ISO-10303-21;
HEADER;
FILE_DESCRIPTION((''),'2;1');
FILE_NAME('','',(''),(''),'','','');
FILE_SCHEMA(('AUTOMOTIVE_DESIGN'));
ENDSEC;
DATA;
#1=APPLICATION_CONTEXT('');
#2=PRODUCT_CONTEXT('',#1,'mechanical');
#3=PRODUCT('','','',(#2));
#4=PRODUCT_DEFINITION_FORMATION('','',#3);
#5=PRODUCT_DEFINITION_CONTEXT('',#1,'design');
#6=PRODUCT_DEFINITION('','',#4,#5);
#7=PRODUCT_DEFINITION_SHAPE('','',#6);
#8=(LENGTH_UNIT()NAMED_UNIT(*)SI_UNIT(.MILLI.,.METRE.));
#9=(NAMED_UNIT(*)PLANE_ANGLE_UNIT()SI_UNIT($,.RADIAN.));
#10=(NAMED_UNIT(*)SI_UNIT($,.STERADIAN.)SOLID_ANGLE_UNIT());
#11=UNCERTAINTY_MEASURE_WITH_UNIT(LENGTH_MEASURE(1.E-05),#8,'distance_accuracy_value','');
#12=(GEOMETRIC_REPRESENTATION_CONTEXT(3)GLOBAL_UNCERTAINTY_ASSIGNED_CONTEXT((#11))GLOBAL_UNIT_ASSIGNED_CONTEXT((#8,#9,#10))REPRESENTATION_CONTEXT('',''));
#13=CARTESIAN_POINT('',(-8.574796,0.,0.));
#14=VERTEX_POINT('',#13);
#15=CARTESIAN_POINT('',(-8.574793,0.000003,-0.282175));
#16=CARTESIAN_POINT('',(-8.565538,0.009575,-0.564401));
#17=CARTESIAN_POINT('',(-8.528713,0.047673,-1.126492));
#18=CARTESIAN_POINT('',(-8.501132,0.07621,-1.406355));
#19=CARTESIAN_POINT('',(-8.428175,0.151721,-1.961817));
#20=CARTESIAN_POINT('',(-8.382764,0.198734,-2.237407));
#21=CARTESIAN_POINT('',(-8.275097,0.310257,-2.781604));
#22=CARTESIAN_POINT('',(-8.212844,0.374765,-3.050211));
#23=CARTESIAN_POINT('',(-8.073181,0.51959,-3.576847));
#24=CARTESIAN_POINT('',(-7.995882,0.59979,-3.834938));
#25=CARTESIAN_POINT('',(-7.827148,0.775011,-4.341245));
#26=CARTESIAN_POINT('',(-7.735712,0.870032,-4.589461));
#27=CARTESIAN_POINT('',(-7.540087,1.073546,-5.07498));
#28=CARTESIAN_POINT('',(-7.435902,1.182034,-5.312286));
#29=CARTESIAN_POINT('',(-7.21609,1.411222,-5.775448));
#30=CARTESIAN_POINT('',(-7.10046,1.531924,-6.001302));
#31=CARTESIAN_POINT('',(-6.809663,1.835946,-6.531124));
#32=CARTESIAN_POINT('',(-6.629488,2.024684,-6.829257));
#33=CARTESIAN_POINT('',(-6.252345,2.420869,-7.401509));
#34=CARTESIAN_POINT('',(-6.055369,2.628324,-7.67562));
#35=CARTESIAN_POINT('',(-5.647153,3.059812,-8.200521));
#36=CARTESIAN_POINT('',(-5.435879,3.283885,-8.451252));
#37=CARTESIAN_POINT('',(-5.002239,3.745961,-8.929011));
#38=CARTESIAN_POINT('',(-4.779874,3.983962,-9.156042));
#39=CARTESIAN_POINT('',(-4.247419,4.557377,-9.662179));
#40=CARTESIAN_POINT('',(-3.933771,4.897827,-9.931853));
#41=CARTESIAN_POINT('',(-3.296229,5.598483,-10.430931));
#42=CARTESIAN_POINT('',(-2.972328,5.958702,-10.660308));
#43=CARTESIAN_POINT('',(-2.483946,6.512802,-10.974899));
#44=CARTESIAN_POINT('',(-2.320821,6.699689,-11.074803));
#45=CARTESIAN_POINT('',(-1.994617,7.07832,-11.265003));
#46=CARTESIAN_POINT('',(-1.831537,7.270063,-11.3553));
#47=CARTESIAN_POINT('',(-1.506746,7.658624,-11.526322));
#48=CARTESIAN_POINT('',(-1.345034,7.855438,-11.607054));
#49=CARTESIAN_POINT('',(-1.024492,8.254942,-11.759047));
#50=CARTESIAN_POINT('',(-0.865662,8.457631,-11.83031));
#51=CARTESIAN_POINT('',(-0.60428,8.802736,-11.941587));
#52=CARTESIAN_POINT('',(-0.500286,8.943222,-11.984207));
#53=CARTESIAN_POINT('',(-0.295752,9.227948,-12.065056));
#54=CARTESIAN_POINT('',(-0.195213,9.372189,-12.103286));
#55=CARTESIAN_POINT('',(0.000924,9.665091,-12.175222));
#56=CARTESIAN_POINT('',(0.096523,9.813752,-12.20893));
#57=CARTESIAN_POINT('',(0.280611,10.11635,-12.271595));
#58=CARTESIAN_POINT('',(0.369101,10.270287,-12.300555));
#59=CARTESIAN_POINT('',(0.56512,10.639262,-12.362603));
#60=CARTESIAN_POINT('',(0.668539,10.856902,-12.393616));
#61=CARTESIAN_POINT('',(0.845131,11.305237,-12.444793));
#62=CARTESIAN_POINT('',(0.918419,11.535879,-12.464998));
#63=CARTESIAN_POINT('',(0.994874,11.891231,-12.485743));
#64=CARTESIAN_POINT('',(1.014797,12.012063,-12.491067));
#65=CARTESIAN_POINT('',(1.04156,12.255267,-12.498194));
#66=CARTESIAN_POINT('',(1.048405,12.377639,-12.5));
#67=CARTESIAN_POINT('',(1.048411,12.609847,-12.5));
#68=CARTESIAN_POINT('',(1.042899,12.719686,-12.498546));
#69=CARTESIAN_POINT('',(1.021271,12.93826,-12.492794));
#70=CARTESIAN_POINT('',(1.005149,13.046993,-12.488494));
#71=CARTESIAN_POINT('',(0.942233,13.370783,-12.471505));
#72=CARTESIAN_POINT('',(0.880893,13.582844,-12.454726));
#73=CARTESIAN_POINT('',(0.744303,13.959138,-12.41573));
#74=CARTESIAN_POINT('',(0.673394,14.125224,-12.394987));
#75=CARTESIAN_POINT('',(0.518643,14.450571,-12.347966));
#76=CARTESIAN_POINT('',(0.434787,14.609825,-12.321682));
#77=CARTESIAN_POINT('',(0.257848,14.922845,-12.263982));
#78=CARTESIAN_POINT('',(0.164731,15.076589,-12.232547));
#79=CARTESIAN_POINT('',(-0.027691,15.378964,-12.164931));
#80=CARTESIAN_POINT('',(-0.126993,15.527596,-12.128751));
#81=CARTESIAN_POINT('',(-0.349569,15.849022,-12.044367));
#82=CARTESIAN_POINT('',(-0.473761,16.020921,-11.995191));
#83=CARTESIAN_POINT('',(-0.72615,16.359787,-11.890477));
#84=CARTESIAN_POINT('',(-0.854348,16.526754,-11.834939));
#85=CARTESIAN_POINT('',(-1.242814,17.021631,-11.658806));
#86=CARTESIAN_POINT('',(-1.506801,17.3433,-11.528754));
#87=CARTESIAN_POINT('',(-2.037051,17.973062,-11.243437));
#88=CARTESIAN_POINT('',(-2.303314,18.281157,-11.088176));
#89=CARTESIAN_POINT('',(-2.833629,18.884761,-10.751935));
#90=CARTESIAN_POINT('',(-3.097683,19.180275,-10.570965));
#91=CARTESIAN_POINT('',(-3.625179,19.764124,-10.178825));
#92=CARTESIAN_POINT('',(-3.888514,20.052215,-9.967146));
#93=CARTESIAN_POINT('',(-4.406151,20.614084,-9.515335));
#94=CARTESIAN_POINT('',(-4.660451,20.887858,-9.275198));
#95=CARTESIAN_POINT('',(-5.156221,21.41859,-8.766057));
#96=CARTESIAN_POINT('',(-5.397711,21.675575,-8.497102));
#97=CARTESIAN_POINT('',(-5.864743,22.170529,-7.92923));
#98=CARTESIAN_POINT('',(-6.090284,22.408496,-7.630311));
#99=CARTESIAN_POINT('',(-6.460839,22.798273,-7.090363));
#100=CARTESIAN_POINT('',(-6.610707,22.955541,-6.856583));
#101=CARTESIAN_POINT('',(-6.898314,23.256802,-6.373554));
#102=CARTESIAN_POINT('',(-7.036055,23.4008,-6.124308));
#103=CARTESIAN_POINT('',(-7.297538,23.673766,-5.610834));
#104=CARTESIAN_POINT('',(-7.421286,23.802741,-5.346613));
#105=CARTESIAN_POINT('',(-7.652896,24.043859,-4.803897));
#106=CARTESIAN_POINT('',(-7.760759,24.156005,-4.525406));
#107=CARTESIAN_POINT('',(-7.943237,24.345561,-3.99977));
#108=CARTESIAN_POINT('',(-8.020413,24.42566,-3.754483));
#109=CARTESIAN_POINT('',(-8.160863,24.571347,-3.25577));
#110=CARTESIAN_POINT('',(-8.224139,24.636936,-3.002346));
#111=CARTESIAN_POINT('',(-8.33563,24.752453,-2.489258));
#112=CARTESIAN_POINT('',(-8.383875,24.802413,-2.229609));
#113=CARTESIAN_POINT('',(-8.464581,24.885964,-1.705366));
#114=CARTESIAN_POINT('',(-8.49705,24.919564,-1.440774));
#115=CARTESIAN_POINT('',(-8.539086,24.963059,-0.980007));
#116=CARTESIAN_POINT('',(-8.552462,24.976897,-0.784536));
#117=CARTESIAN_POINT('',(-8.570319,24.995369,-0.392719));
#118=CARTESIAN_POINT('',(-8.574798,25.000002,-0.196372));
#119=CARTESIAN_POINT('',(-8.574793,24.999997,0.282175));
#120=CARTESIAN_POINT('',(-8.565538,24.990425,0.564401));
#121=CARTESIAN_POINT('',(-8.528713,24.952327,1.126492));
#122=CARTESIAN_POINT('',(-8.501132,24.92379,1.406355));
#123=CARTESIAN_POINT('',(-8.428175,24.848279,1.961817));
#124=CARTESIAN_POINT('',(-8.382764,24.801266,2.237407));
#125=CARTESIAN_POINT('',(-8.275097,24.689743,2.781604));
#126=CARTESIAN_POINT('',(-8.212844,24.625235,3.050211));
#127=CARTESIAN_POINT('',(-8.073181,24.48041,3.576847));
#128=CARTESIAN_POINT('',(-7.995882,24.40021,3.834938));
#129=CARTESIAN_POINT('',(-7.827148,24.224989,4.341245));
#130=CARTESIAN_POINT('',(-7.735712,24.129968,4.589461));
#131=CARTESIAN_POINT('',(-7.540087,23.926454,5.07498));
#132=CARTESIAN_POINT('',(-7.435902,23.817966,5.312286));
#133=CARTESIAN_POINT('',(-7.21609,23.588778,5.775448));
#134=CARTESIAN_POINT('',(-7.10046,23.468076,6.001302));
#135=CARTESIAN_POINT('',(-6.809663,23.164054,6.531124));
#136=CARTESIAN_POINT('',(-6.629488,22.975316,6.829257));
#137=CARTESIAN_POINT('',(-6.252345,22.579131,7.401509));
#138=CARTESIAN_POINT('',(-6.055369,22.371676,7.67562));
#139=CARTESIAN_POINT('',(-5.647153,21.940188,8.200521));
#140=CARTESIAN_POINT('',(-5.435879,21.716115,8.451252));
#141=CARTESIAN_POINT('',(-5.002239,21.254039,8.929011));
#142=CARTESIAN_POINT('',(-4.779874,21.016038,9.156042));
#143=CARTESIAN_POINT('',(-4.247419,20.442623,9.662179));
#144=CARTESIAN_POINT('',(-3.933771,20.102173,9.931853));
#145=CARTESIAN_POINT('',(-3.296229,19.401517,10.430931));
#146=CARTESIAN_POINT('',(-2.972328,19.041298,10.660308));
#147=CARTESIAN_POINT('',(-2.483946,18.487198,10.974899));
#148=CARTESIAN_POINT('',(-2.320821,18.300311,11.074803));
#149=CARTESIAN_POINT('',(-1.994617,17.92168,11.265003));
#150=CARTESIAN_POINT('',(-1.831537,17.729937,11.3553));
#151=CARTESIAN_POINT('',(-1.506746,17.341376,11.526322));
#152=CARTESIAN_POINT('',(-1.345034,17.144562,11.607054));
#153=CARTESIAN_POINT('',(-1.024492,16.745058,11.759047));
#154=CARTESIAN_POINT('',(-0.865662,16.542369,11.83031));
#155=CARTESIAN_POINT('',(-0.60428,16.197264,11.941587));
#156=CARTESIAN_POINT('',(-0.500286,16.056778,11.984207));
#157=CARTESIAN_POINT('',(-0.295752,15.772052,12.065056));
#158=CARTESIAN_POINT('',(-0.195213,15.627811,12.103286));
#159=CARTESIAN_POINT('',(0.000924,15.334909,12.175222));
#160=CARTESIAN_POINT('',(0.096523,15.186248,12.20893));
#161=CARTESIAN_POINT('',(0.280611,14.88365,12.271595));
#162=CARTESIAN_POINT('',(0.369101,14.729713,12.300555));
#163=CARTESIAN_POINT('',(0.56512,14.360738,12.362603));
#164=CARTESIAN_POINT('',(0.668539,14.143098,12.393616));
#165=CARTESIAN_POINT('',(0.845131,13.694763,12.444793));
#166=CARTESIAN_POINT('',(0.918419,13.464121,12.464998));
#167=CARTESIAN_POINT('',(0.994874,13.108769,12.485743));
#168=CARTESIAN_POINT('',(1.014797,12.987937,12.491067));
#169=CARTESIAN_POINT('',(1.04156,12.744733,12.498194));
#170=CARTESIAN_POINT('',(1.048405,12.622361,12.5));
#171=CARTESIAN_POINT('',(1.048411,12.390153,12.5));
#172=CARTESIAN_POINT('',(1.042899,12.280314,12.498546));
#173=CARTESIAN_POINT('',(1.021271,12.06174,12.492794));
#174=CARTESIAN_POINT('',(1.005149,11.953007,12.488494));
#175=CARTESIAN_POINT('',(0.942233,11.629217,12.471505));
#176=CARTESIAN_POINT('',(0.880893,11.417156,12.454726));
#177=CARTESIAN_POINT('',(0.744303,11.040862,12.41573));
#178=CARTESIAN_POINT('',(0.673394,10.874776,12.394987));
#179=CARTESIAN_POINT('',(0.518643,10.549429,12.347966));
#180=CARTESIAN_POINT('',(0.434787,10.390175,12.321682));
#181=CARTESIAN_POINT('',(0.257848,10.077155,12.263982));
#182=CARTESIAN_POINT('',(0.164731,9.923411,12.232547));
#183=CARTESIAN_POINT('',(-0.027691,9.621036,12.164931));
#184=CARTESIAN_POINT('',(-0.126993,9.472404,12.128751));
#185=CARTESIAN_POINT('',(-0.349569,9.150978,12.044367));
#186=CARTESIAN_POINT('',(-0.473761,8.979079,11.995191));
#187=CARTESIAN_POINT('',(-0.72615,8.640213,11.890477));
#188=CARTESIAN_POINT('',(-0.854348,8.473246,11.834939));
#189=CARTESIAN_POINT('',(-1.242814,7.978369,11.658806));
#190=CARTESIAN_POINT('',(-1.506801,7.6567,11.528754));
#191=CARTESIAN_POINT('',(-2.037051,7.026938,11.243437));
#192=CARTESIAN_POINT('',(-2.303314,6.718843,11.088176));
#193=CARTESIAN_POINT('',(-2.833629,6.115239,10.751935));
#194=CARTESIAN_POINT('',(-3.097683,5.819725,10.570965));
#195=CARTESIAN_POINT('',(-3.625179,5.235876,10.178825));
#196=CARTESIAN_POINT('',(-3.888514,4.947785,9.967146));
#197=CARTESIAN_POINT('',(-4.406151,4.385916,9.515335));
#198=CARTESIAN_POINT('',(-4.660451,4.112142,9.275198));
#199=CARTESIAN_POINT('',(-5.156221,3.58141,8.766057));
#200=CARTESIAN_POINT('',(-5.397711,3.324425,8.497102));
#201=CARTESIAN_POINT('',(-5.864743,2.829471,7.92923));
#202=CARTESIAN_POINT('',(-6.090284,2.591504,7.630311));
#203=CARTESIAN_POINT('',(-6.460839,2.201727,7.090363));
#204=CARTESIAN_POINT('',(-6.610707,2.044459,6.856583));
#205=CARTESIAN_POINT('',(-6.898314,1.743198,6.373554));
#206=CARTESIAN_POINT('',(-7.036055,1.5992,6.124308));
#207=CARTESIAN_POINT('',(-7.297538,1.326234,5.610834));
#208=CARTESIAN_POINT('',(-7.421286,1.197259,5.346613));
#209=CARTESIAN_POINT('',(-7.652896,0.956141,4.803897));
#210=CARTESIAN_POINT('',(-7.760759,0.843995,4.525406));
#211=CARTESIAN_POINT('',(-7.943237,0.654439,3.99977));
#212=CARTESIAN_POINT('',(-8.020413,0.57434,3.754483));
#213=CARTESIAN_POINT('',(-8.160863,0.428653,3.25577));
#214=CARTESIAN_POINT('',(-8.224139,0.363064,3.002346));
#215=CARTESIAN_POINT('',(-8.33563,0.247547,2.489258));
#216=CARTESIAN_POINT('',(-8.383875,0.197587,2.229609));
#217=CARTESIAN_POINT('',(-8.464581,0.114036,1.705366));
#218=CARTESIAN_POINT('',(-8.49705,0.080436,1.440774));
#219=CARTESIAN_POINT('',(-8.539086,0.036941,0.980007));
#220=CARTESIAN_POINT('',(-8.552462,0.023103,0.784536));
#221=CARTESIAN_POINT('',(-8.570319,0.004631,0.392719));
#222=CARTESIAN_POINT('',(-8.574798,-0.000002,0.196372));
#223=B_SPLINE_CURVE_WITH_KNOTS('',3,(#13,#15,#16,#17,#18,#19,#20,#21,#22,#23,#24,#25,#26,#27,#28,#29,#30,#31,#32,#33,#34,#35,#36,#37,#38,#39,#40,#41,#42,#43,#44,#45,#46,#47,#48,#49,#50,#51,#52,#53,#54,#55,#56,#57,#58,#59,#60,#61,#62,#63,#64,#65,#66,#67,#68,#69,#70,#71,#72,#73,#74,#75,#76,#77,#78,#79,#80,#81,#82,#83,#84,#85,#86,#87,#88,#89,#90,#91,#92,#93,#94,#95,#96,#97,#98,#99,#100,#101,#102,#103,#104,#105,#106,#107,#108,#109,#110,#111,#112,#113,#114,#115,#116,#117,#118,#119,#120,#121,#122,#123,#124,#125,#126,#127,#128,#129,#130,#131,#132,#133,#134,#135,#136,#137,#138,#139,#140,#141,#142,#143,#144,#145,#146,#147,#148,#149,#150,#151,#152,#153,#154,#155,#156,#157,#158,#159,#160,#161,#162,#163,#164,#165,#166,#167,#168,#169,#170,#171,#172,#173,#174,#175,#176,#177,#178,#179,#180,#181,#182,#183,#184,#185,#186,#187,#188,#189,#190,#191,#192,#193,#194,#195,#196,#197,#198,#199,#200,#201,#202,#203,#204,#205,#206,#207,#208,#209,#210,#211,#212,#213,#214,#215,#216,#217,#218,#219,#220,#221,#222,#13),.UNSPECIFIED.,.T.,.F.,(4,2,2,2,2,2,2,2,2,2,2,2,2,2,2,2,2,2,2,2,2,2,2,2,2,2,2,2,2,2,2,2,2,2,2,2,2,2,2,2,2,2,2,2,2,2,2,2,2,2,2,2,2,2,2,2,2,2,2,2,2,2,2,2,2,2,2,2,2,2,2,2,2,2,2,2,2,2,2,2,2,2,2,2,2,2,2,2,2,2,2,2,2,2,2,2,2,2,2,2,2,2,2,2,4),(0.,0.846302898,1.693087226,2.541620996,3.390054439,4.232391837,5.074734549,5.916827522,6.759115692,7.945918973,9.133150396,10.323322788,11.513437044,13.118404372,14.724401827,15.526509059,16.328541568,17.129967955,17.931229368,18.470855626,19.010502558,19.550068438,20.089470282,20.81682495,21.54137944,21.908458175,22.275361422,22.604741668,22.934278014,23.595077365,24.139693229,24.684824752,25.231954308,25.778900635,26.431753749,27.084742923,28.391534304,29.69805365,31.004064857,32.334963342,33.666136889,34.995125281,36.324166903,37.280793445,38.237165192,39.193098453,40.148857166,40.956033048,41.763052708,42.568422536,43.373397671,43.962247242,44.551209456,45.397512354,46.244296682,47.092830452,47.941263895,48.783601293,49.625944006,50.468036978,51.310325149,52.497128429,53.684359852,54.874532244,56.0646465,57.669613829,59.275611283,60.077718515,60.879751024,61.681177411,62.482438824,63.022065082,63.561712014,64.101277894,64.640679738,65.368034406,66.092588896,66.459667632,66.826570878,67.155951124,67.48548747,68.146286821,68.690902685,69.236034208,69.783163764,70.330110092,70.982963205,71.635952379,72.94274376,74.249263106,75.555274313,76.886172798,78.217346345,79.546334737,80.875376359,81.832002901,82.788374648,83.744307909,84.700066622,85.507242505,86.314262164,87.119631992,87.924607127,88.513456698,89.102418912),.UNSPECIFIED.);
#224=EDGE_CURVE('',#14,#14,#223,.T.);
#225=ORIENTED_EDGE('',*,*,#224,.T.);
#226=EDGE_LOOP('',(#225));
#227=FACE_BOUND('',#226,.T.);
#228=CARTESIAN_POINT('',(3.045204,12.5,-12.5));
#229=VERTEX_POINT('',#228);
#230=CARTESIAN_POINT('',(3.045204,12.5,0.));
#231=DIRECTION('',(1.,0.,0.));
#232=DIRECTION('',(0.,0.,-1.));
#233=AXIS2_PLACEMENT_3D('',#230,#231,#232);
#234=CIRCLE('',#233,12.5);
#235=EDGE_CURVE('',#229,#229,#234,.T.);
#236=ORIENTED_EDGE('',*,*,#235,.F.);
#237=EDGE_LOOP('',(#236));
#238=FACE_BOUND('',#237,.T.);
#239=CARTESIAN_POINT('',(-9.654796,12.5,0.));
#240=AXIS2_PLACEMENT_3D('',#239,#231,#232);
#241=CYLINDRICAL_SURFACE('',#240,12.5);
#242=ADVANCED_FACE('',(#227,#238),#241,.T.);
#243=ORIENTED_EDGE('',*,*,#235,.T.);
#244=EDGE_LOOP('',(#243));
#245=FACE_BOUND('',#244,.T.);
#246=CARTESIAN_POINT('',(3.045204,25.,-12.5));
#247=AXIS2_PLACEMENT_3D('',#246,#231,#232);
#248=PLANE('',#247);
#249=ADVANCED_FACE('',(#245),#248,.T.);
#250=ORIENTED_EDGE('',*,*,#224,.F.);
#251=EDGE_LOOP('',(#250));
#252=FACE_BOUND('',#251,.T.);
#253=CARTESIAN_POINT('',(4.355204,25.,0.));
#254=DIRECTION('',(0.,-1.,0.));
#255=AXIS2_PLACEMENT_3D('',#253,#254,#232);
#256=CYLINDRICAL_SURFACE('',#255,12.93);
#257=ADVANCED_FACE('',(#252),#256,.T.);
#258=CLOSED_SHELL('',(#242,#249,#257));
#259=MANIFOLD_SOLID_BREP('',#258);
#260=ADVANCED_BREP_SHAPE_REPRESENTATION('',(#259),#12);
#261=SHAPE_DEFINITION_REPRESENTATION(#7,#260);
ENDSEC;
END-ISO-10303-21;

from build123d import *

# Parameters (mm, degrees)
EXTRUDE_1_DEPTH     = 25
CUT_EXTRUDE_8_DEPTH = 12.7


with BuildPart() as part:
    # 草图1 → 凸台-拉伸1 (new body)
    with BuildSketch(Plane(origin=(0, 0, 0), x_dir=(1, 0, 0), z_dir=(0, 1, 0))):
        with BuildLine():
            Line((1.048408302, 12.5), (3.045204335, 12.5))
            Line((3.045204335, 12.5), (3.045204335, -12.5))
            Line((3.045204335, -12.5), (1.048408302, -12.5))
            ThreePointArc((1.048408302, -12.5), (-8.574795665, 0), (1.048408302, 12.5))
        make_face()
    extrude(amount=EXTRUDE_1_DEPTH)

    # 草图2 → 切除-拉伸8 (cut)
    with BuildSketch(Plane(origin=(3.045204335, 0, 0), x_dir=(0, 0, -1), z_dir=(1, 0, 0))):
        with BuildLine():
            Line((-12.5, 25), (-12.5, 12.5))
            ThreePointArc((-12.5, 12.5), (-8.838834765, 21.338834765), (0, 25))
            Line((0, 25), (-12.5, 25))
        make_face()
        with BuildLine():
            ThreePointArc((0, 25), (8.838834765, 21.338834765), (12.5, 12.5))
            Line((12.5, 12.5), (12.5, 25))
            Line((12.5, 25), (0, 25))
        make_face()
        with BuildLine():
            ThreePointArc((12.5, 12.5), (8.838834765, 3.661165235), (0, 0))
            Line((0, 0), (12.5, 0))
            Line((12.5, 0), (12.5, 12.5))
        make_face()
        with BuildLine():
            Line((-12.5, 12.5), (-12.5, 0))
            Line((-12.5, 0), (0, 0))
            ThreePointArc((0, 0), (-8.838834765, 3.661165235), (-12.5, 12.5))
        make_face()
    extrude(amount=-CUT_EXTRUDE_8_DEPTH, mode=Mode.SUBTRACT)


solid = part.part
